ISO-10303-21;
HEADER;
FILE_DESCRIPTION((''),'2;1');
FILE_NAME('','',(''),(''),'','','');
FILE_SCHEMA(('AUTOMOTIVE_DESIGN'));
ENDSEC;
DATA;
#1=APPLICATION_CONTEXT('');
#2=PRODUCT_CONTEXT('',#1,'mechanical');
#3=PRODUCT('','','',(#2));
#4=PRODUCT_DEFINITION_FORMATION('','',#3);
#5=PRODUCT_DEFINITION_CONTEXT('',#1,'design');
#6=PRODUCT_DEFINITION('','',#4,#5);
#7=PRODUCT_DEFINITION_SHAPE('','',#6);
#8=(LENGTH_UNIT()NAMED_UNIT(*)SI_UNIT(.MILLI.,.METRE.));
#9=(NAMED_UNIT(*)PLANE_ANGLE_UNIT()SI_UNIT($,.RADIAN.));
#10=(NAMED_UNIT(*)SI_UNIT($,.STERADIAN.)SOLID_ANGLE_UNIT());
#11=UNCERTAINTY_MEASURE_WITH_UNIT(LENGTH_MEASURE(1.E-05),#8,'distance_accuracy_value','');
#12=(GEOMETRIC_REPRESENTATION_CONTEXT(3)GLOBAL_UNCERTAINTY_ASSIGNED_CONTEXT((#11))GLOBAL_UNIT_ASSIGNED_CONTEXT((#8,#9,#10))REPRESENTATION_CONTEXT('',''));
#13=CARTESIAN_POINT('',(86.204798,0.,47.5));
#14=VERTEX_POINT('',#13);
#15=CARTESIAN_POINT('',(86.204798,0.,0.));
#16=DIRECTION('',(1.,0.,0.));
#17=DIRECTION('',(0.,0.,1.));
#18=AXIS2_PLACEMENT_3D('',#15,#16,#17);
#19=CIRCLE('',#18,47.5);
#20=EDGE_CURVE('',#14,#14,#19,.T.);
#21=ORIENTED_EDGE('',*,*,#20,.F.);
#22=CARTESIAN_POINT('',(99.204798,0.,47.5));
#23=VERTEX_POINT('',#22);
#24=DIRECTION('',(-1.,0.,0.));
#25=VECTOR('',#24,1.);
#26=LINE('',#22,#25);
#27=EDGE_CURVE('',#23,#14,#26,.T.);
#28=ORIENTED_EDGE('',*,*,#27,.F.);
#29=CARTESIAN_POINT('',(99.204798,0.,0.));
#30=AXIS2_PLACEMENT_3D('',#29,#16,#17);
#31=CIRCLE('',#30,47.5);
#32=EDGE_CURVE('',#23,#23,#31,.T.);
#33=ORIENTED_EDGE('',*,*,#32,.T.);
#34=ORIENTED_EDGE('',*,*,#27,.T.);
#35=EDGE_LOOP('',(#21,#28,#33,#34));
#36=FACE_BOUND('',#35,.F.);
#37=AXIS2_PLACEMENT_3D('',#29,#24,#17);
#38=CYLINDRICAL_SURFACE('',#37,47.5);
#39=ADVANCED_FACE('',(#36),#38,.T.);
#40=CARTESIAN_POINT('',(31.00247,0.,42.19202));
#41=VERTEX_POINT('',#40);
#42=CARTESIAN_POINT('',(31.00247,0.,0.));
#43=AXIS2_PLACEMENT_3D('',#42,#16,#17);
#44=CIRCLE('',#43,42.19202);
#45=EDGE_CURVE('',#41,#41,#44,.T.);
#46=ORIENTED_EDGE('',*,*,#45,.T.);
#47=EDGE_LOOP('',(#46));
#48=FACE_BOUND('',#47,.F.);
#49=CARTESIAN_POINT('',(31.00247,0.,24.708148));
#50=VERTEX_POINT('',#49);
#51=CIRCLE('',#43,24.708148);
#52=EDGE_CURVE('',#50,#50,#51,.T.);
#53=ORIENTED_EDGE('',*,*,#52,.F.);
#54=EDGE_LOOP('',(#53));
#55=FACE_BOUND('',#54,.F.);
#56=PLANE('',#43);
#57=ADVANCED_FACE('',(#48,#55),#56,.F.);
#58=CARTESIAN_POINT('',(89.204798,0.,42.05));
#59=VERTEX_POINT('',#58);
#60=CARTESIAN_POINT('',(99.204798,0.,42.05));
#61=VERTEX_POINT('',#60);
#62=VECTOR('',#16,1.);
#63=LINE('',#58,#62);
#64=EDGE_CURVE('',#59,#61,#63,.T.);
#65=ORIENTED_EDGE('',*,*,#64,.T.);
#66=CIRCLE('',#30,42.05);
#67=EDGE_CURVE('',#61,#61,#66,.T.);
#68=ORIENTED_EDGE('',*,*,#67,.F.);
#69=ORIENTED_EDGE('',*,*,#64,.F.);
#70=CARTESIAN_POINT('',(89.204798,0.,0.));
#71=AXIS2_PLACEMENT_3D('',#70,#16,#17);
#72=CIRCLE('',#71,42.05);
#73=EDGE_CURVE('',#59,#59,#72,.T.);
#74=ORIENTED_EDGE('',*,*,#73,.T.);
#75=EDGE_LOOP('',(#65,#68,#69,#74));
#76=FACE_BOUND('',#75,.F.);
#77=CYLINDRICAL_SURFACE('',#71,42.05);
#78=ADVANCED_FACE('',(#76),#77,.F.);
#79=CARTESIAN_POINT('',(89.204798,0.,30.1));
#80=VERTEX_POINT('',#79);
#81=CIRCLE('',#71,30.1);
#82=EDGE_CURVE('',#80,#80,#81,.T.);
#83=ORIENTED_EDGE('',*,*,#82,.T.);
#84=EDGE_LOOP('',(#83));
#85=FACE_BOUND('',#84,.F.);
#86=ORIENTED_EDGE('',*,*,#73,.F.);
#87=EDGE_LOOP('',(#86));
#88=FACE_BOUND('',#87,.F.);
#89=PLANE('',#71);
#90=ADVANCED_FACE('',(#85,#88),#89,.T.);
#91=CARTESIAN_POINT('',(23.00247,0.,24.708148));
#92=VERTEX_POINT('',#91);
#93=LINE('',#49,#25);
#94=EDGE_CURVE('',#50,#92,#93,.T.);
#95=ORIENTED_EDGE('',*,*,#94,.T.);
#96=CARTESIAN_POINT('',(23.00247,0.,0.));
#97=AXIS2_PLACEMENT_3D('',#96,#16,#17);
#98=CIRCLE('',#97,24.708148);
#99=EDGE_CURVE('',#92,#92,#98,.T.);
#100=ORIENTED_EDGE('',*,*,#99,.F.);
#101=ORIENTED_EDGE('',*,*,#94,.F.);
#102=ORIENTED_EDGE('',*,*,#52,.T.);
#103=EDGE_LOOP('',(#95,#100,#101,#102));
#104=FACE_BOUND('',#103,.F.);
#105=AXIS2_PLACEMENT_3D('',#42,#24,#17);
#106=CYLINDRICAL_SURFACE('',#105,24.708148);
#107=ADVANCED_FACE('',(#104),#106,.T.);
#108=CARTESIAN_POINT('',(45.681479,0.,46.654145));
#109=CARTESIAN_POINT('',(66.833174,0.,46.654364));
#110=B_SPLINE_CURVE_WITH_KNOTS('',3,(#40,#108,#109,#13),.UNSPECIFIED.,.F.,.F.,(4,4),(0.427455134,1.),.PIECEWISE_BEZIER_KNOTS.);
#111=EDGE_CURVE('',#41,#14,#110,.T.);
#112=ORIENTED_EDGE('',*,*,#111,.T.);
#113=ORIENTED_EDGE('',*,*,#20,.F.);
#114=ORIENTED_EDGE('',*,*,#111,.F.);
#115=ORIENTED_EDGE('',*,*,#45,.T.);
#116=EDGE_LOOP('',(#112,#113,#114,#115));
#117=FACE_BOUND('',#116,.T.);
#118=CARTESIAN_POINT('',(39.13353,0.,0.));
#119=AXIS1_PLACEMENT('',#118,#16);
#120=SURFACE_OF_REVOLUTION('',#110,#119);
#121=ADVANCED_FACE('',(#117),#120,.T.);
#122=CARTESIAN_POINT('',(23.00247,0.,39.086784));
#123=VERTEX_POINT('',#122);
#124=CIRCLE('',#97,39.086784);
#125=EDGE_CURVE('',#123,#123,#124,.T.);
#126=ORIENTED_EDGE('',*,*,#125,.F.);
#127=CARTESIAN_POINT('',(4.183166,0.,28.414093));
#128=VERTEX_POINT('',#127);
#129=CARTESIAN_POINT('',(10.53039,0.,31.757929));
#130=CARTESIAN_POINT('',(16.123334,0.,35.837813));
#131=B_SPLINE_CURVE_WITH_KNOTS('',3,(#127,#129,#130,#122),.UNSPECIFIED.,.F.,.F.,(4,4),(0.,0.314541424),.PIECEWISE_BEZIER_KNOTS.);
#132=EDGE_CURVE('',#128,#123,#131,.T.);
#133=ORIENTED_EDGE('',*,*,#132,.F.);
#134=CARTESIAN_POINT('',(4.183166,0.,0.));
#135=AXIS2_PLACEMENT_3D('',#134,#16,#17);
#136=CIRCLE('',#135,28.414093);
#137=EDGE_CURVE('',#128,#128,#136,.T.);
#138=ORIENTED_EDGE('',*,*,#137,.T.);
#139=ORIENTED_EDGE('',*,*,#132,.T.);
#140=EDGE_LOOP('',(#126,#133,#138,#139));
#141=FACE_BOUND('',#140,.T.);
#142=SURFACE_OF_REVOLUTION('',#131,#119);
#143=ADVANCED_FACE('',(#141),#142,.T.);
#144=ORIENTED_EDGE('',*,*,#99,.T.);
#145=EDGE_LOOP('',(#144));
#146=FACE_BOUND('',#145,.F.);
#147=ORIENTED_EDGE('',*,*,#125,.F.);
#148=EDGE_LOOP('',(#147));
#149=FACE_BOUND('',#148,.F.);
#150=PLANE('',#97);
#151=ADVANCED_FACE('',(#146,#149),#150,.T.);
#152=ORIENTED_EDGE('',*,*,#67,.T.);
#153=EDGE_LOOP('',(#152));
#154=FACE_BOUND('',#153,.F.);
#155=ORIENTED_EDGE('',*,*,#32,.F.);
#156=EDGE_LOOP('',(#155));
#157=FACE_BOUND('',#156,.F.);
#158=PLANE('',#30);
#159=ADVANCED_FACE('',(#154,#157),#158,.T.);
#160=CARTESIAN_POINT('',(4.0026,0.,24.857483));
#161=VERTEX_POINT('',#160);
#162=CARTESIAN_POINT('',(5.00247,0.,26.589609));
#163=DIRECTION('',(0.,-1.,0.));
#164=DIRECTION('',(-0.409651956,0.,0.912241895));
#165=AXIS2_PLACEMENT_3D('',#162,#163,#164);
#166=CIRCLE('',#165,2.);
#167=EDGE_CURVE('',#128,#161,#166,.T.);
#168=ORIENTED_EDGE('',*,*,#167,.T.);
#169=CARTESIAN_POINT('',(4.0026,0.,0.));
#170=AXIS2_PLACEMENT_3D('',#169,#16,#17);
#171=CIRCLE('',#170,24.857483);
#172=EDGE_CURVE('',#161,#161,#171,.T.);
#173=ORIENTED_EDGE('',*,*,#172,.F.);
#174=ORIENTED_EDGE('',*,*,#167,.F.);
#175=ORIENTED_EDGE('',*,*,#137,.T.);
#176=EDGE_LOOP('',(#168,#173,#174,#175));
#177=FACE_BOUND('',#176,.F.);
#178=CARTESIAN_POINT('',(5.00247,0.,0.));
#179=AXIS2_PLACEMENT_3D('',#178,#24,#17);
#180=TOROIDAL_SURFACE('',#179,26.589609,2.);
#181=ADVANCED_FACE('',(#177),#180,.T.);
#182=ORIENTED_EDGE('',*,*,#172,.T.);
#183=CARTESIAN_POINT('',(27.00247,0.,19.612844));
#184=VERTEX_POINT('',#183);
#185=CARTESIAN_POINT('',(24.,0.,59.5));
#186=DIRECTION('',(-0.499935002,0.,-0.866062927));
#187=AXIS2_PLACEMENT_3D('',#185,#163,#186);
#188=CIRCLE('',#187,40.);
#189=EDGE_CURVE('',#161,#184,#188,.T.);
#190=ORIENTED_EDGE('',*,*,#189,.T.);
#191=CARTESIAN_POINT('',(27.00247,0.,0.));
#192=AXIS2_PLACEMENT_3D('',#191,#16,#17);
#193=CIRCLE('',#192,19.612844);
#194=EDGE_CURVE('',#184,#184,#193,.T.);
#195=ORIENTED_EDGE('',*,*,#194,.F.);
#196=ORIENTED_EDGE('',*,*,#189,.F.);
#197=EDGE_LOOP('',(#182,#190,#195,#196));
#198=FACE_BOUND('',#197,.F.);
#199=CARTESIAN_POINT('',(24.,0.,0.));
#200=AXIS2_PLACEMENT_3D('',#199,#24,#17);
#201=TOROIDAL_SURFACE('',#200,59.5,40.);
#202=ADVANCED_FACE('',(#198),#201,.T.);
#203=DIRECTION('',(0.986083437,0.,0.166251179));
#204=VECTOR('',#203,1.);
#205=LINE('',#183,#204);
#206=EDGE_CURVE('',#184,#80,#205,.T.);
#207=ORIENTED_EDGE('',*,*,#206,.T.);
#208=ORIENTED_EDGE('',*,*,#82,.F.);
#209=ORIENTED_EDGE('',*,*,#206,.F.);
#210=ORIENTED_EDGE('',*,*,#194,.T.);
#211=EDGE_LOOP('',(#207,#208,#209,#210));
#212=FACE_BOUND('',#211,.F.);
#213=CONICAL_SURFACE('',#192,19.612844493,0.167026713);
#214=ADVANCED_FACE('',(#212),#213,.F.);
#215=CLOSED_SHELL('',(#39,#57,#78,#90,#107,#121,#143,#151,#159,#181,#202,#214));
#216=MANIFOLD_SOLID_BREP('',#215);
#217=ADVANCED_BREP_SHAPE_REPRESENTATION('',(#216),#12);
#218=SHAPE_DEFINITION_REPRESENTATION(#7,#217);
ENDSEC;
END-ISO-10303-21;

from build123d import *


with BuildPart() as f1:
    # F0 (on Front) → F1 (revolve)
    with BuildSketch(Plane.XZ):
        with BuildLine():
            ThreePointArc((4.183166, 28.4140925651), (3.005042448, 26.6910164945), (4.0025999075, 24.8574829214))
            ThreePointArc((4.0025999075, 24.8574829214), (15.1071112107, 20.5010701559), (27.0024699122, 19.6128444932))
            Line((27.0024699122, 19.6128444932), (89.2047976328, 30.1))
            Line((89.2047976328, 30.1), (89.2047976328, 42.05))
            Line((89.2047976328, 42.05), (99.2047976328, 42.05))
            Line((99.2047976328, 42.05), (99.2047976328, 47.5))
            Line((99.2047976328, 47.5), (86.2047976328, 47.5))
            add(Edge.make_bspline(
                [(31.0024699122, 42.1920199909), (45.6814790288, 46.6541446853), (66.8331744446, 46.6543637211), (86.2047976328, 47.5)],
                knots=[0.4274551338, 0.4274551338, 0.4274551338, 0.4274551338, 1, 1, 1, 1], degree=3))
            Line((31.0024699122, 42.1920199909), (31.0024699122, 24.708148092))
            Line((31.0024699122, 24.708148092), (23.0024699122, 24.708148092))
            Line((23.0024699122, 24.708148092), (23.0024699122, 39.0867841668))
            add(Edge.make_bspline(
                [(4.183166, 28.4140925651), (10.5303895975, 31.7579291187), (16.1233335949, 35.8378131978), (23.0024699122, 39.0867841668)],
                knots=[0, 0, 0, 0, 0.3145414236, 0.3145414236, 0.3145414236, 0.3145414236], degree=3))
        make_face()
    revolve(axis=Axis((39.1335301101, 0, 0), (1, 0, 0)))


solid = f1.part
